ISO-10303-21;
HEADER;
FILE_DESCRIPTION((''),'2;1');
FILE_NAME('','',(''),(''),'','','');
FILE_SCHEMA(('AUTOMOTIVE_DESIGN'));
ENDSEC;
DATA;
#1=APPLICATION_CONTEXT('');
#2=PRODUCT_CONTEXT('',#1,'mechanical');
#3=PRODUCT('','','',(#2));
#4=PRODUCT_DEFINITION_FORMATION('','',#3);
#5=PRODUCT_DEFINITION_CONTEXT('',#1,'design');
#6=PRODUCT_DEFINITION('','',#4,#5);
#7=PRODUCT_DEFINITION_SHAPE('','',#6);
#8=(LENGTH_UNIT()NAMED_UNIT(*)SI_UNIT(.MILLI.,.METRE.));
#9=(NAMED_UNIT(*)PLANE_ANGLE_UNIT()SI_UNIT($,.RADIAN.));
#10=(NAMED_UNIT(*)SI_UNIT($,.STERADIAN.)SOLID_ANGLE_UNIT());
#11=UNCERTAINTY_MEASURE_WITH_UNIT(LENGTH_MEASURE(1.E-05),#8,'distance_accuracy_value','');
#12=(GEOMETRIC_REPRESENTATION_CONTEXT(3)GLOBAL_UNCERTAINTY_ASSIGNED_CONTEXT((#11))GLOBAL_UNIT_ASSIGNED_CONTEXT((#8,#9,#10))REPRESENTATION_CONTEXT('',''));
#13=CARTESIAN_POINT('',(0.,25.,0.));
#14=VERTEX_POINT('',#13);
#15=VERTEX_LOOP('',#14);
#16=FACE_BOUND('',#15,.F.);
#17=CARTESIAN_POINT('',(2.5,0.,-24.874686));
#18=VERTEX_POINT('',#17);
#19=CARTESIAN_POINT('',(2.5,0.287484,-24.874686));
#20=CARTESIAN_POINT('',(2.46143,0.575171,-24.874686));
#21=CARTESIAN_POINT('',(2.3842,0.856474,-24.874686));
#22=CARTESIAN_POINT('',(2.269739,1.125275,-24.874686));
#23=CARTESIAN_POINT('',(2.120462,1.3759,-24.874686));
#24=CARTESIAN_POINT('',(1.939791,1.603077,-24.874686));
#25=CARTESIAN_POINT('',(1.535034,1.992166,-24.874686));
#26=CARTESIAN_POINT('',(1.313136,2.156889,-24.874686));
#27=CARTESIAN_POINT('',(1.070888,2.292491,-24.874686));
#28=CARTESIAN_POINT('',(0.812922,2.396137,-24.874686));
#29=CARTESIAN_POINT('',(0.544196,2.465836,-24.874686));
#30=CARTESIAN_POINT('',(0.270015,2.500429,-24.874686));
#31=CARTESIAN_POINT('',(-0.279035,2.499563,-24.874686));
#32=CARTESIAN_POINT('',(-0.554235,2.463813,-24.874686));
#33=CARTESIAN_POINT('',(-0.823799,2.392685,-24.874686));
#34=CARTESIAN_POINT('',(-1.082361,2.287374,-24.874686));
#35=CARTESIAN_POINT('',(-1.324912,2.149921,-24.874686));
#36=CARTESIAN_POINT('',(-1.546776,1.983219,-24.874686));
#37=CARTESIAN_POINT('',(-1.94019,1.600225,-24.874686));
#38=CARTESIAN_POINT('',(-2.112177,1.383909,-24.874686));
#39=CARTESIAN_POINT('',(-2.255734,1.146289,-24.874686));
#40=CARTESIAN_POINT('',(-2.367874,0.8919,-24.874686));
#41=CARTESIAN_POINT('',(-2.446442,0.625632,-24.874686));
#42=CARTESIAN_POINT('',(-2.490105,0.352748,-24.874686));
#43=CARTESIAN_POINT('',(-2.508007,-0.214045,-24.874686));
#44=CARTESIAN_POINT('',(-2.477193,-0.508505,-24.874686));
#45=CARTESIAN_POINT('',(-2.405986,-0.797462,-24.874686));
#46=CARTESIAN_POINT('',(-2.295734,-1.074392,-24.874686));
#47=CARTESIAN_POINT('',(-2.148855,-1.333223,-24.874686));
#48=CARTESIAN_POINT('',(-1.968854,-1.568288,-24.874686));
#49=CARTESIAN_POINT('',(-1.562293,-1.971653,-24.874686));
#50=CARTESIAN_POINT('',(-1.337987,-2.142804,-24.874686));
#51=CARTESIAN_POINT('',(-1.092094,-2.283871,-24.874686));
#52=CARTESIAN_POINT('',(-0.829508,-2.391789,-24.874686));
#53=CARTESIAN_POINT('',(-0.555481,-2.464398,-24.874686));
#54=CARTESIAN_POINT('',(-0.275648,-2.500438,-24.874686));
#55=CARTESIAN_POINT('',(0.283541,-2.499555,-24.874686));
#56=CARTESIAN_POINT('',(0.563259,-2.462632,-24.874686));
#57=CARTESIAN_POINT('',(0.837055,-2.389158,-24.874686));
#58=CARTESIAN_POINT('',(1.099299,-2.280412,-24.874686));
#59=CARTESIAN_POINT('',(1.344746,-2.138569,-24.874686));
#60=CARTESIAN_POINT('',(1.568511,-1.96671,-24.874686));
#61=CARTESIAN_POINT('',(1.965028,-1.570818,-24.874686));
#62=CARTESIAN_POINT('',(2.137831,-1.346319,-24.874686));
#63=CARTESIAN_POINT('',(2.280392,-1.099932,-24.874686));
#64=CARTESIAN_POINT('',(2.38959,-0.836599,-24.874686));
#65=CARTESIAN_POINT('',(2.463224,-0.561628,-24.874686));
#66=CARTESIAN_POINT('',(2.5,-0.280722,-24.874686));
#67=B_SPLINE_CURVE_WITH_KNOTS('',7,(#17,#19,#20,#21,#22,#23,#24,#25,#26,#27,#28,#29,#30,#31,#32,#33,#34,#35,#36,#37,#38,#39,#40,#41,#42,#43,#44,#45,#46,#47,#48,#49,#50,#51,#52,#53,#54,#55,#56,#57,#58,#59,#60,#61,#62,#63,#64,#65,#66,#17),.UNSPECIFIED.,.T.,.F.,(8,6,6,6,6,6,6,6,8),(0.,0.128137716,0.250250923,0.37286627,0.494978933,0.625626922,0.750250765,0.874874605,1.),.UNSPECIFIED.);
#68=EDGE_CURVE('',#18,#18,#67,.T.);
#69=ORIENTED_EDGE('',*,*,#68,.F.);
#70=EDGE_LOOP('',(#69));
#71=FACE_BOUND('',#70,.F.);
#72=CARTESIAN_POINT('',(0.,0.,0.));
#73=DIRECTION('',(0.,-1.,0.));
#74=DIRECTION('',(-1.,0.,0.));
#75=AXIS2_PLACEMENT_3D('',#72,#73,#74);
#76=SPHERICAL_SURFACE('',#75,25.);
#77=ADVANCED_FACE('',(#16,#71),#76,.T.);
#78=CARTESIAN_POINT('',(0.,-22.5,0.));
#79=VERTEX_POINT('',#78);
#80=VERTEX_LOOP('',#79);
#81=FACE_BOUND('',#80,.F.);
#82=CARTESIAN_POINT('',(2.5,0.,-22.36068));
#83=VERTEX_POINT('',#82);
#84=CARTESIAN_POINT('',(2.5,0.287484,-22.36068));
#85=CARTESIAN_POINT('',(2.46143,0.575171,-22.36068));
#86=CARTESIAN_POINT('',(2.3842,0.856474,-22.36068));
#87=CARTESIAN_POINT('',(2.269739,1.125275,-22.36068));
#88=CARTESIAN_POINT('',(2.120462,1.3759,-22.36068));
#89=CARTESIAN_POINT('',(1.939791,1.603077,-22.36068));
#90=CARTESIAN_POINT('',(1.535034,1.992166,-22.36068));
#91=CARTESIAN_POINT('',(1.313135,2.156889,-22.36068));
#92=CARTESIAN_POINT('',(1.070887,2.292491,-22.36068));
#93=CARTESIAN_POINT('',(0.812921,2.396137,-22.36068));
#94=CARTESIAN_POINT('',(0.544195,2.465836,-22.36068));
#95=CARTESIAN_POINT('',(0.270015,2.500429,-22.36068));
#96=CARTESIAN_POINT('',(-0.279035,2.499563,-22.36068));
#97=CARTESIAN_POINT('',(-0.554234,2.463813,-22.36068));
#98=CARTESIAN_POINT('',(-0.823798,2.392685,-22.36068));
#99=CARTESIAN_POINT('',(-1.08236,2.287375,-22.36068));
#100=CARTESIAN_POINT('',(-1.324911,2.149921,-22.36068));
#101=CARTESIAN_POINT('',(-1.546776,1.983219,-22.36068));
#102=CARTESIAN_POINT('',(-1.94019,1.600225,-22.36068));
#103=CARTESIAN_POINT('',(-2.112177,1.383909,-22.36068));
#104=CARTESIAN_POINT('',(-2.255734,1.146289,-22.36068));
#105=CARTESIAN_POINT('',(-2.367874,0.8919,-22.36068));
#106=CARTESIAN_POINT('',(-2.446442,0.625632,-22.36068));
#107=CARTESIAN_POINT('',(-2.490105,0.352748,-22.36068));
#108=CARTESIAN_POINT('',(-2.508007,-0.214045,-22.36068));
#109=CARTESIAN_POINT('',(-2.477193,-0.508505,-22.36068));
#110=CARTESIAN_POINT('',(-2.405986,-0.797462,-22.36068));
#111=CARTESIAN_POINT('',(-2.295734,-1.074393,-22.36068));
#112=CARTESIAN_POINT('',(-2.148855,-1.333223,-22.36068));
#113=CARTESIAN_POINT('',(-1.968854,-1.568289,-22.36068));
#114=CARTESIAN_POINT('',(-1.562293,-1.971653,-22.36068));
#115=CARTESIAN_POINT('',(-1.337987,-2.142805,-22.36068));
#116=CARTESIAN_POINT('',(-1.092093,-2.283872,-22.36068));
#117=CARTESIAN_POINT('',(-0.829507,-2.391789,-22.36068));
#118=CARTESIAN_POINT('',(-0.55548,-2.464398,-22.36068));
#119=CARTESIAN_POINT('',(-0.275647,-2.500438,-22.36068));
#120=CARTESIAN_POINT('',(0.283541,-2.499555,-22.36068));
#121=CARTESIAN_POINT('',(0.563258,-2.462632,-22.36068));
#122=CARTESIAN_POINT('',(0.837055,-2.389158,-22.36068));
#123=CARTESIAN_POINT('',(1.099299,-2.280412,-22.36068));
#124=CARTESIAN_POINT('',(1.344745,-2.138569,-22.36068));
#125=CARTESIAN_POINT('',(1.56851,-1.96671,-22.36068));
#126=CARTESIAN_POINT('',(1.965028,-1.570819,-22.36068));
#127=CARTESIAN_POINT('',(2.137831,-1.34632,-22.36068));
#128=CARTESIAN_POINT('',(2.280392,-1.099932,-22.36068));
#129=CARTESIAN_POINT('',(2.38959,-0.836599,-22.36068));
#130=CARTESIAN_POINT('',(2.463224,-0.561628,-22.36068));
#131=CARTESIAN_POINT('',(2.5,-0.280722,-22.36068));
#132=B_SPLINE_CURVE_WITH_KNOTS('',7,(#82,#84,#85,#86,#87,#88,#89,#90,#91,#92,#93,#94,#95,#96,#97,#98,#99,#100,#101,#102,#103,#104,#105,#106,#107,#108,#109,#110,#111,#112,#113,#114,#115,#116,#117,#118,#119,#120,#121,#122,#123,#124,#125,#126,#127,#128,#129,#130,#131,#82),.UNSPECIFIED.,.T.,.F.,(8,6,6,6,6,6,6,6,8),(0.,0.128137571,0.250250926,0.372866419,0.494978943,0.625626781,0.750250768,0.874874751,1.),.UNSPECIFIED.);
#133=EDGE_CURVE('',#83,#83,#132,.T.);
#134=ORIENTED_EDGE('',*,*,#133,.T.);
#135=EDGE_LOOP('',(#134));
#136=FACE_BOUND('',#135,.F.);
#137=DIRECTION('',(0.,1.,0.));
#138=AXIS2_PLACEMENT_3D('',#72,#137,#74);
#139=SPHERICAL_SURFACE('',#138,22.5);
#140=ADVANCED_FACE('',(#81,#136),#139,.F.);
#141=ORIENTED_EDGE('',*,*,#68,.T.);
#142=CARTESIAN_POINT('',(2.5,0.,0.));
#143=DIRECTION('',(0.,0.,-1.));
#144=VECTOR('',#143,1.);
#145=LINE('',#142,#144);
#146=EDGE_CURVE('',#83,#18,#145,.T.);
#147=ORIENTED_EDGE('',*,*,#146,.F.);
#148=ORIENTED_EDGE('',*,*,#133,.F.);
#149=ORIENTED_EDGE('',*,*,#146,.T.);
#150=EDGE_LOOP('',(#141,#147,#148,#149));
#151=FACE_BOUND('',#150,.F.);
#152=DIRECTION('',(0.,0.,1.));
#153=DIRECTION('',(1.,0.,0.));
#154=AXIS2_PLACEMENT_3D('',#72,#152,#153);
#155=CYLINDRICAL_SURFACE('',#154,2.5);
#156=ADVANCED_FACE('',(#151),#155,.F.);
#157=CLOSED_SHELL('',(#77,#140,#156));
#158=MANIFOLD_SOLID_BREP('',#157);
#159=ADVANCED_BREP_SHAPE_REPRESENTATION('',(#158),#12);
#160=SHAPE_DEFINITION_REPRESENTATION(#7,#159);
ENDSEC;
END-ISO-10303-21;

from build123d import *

# Parameters (mm, degrees)
F2_R     = 2.5
F3_DEPTH = 100


with BuildPart() as f1:
    # F0 (on Top) → F1 (revolve)
    with BuildSketch(Plane.XY):
        with BuildLine():
            ThreePointArc((0, 25), (-25, 0), (0, -25))
            Line((0, -25), (0, -22.5))
            ThreePointArc((0, -22.5), (-22.5, 0), (0, 22.5))
            Line((0, 22.5), (0, 25))
        make_face()
    revolve(axis=Axis((0, 0, 0), (0, 1, 0)))

    # F2 (on Top) → F3 (cut)
    with BuildSketch(Plane.XY):
        Circle(F2_R)
    extrude(amount=-F3_DEPTH, mode=Mode.SUBTRACT)


solid = f1.part
